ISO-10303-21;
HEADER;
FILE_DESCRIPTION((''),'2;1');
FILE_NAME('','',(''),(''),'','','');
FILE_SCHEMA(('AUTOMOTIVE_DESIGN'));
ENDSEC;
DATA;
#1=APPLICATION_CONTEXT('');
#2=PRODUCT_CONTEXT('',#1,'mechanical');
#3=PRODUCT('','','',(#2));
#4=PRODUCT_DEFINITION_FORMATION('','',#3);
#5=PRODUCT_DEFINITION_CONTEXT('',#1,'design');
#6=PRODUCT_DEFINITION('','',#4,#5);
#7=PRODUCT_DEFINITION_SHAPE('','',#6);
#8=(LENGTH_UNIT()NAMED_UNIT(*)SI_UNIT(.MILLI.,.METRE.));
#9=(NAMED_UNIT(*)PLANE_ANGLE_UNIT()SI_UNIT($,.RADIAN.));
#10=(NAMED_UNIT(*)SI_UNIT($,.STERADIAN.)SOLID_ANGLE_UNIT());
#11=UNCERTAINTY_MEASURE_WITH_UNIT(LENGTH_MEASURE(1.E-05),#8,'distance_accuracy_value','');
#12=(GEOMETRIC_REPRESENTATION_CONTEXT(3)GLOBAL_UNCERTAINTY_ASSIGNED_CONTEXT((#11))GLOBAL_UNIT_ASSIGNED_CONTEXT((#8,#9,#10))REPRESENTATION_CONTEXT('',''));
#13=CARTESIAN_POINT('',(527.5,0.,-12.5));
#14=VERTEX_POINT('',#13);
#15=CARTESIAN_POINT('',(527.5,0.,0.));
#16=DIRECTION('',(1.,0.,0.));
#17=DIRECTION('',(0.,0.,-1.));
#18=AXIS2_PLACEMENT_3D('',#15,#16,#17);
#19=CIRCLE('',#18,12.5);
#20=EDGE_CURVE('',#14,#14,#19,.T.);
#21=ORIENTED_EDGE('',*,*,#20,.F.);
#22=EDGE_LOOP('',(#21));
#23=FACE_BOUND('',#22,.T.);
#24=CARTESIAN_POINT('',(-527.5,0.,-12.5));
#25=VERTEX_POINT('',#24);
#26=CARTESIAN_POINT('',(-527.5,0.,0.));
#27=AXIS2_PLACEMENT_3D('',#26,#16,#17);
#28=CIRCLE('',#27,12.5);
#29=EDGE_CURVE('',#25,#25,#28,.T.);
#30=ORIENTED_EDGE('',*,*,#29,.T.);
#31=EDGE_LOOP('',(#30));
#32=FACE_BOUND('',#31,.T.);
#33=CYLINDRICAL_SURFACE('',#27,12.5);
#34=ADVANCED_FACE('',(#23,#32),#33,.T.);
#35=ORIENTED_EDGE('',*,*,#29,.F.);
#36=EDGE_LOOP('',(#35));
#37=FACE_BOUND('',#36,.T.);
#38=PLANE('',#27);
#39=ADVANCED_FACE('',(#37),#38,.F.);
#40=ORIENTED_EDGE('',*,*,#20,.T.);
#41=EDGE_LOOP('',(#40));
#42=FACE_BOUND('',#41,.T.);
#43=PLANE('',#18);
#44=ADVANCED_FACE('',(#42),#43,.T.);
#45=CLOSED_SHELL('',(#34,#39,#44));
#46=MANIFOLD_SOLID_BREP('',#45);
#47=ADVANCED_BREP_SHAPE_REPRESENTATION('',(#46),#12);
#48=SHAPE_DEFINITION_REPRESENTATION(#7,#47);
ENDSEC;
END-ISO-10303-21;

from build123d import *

# Parameters (mm, degrees)
BOSS_EXTRUDE1_DEPTH      = 527.5
BOSS_EXTRUDE1_DEPTH_BACK = 527.5
SKETCH1_R                = 12.5


with BuildPart() as part:
    # Sketch1 → Boss-Extrude1 (new, two sides: drawn at the far end of the back side and taken through both)
    with BuildSketch(Plane(origin=(0, 0, 0), x_dir=(0, 0, -1), z_dir=(1, 0, 0)).offset(-BOSS_EXTRUDE1_DEPTH_BACK)):
        Circle(SKETCH1_R)
    extrude(amount=BOSS_EXTRUDE1_DEPTH + BOSS_EXTRUDE1_DEPTH_BACK)


solid = part.part
